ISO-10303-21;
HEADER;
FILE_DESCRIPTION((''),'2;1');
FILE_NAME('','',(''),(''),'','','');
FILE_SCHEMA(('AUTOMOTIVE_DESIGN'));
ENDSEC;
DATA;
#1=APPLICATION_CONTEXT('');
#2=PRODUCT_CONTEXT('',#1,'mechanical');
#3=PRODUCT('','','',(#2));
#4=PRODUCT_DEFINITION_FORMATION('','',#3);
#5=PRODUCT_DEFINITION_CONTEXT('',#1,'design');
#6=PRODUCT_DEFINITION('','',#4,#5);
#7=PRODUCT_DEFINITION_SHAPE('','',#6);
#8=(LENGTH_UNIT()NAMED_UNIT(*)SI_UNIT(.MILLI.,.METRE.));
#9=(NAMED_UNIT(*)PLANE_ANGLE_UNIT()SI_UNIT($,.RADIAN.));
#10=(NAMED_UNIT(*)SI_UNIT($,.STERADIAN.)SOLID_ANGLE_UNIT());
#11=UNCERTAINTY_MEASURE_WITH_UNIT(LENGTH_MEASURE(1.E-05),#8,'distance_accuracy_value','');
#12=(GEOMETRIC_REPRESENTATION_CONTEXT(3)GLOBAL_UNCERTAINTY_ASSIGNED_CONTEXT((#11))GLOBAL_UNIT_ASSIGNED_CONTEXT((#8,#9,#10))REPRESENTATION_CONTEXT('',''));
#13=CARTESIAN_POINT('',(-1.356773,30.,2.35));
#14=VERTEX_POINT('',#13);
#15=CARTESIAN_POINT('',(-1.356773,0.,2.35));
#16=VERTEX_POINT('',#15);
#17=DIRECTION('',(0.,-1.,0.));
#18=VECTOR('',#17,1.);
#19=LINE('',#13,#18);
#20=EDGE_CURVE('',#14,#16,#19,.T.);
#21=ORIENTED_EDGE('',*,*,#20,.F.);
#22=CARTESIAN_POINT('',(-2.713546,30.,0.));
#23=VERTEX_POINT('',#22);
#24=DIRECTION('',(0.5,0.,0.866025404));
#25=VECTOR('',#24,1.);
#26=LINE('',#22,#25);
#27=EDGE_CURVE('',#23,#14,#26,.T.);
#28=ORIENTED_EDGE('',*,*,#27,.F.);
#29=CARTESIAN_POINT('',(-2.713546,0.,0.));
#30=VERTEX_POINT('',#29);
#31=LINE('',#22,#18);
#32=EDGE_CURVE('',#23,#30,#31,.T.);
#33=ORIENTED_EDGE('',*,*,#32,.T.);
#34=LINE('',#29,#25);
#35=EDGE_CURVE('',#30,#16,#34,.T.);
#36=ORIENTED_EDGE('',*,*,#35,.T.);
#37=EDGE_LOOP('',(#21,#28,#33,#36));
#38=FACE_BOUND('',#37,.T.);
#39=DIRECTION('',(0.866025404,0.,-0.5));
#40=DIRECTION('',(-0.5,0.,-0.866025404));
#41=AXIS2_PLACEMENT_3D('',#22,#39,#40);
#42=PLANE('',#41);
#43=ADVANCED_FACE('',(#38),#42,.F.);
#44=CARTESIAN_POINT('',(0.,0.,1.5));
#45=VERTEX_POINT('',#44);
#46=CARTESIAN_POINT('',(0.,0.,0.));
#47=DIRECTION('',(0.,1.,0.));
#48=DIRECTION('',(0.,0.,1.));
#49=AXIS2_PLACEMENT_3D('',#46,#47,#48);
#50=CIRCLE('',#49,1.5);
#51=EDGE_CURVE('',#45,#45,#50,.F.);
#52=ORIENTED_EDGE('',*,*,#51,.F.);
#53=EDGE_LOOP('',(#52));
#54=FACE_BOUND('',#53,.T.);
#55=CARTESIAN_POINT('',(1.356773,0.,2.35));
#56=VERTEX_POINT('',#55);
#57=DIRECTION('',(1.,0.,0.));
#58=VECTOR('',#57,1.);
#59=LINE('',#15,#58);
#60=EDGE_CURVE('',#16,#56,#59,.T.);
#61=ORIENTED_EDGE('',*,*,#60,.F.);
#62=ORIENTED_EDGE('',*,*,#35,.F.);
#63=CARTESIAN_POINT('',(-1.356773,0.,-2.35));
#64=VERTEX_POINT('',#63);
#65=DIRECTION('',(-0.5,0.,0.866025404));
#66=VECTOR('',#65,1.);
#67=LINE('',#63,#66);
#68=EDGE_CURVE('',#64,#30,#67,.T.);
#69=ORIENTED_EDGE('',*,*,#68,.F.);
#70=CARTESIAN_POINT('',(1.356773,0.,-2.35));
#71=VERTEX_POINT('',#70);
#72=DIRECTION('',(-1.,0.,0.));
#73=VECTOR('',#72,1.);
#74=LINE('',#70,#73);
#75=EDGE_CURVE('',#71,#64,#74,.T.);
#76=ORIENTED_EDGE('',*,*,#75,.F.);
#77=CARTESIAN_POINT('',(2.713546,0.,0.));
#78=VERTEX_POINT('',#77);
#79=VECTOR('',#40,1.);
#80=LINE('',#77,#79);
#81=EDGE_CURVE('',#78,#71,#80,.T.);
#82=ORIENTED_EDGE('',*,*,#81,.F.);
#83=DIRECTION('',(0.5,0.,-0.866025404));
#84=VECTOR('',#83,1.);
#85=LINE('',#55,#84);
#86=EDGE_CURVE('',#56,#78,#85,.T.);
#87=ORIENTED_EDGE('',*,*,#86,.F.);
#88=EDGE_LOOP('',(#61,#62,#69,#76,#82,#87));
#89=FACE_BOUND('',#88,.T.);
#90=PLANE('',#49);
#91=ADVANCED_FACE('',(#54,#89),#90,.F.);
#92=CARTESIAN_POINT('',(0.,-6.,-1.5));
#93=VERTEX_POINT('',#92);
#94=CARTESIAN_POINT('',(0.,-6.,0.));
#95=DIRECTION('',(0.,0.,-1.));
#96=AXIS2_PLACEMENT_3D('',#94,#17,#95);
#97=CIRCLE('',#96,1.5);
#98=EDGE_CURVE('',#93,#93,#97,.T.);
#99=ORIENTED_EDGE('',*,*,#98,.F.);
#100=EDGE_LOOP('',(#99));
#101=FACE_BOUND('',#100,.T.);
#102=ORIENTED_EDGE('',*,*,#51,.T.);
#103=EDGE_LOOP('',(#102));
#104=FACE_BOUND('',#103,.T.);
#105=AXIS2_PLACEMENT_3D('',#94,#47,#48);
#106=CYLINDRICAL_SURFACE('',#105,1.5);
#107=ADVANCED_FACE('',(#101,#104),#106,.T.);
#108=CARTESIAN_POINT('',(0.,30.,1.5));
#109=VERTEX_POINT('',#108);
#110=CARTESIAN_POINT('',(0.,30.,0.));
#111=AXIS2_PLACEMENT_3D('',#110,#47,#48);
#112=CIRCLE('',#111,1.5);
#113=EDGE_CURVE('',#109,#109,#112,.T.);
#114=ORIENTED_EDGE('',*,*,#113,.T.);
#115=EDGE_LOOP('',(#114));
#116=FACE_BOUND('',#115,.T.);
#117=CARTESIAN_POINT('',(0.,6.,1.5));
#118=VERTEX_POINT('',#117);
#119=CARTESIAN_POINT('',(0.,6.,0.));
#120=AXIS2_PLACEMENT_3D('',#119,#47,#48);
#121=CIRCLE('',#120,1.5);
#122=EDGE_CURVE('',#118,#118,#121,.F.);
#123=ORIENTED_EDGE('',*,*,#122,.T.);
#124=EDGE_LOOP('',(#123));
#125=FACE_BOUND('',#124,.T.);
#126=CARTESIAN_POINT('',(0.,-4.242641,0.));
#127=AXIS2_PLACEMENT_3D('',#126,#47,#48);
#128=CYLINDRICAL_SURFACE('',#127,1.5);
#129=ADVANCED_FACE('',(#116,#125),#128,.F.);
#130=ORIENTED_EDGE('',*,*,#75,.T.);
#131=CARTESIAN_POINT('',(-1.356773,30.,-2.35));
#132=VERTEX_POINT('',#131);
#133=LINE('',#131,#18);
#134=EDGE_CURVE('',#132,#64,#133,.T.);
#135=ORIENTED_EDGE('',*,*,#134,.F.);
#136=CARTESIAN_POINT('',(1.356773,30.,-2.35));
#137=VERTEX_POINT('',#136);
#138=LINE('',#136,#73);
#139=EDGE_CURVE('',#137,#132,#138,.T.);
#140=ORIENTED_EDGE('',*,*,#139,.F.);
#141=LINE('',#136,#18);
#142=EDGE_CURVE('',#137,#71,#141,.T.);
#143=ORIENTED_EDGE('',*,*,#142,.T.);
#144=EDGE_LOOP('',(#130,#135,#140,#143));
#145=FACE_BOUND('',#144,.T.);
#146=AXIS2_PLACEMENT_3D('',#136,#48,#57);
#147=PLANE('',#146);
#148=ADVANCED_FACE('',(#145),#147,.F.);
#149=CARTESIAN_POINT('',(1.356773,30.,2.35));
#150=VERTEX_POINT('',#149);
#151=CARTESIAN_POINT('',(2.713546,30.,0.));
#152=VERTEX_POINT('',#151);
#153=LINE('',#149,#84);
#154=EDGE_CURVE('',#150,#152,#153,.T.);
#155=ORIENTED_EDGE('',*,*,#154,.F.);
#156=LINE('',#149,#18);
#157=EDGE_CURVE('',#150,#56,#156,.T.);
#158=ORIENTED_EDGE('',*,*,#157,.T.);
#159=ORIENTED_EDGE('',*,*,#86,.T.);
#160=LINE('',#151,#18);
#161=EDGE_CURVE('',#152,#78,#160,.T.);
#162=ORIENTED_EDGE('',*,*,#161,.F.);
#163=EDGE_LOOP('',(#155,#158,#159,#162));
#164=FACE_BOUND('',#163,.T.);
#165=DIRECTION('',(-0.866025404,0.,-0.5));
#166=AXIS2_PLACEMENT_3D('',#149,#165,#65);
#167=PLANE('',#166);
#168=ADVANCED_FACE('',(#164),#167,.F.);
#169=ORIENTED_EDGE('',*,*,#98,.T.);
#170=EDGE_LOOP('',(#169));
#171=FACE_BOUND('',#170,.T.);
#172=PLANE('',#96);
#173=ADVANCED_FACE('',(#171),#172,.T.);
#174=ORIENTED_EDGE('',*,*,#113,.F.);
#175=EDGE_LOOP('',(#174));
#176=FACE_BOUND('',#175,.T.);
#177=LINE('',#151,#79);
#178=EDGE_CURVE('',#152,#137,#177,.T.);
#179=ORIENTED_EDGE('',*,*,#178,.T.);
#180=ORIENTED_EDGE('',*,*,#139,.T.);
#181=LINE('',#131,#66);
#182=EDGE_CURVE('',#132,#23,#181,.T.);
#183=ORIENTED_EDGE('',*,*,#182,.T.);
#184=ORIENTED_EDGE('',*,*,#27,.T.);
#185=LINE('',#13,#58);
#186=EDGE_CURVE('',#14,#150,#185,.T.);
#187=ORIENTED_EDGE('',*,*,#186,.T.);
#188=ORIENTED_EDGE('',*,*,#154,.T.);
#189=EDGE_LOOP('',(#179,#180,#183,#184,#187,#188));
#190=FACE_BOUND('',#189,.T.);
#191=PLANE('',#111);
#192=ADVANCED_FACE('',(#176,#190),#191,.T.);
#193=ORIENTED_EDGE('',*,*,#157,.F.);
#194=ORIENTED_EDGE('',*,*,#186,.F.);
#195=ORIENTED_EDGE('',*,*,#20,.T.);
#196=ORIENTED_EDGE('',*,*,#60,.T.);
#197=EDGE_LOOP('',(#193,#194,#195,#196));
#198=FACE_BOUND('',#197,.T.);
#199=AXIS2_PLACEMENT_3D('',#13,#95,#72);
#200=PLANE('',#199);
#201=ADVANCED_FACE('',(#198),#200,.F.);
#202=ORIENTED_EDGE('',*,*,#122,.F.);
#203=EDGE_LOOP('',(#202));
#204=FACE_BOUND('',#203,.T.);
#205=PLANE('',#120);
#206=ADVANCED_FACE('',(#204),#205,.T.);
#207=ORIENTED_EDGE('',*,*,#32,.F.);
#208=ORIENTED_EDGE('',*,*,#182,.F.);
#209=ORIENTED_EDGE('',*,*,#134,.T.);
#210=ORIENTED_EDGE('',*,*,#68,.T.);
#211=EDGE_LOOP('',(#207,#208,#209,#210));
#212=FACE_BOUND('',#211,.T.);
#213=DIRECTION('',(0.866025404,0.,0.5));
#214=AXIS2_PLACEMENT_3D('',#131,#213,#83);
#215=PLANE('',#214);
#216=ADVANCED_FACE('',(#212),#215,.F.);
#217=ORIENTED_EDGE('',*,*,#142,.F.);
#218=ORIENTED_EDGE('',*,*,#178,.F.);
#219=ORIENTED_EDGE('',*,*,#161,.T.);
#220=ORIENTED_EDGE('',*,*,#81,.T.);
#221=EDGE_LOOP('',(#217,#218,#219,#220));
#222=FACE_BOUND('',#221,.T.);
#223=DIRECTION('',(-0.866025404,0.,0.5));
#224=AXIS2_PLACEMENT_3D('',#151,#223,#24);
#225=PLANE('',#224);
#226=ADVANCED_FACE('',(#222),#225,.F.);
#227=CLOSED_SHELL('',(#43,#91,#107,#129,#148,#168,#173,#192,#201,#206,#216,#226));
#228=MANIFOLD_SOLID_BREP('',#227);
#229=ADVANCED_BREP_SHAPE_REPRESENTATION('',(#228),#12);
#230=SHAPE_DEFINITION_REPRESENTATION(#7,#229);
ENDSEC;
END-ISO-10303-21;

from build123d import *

# Parameters (mm, degrees)
EXTRUDE_1_DEPTH     = 30
SKETCH_2_R          = 1.5
EXTRUDE_2_DEPTH     = 6
SKETCH_3_R          = 1.5
CUT_EXTRUDE_1_DEPTH = 24


with BuildPart() as part:
    # Эскиз1 → Бобышка-Вытянуть1 (new body)
    with BuildSketch(Plane(origin=(0, 0, 0), x_dir=(1, 0, 0), z_dir=(0, 1, 0))):
        Polygon((1.356773133, -2.35), (2.713546265, 0), (1.356773133, 2.35), (-1.356773133, 2.35), (-2.713546265, 0), (-1.356773133, -2.35), align=None)
    extrude(amount=EXTRUDE_1_DEPTH)

    # Эскиз2 → Бобышка-Вытянуть2 (add)
    with BuildSketch(Plane.XZ):
        with Locations(Location((0, 0, 0), (0, 0, 90))):
            Circle(SKETCH_2_R)
    extrude(amount=EXTRUDE_2_DEPTH)

    # Эскиз3 → Вырез-Вытянуть1 (cut)
    with BuildSketch(Plane(origin=(0, 30, 0), x_dir=(1, 0, 0), z_dir=(0, 1, 0))):
        with Locations(Location((0, 0, 0), (0, 0, 270))):
            Circle(SKETCH_3_R)
    extrude(amount=-CUT_EXTRUDE_1_DEPTH, mode=Mode.SUBTRACT)


solid = part.part
